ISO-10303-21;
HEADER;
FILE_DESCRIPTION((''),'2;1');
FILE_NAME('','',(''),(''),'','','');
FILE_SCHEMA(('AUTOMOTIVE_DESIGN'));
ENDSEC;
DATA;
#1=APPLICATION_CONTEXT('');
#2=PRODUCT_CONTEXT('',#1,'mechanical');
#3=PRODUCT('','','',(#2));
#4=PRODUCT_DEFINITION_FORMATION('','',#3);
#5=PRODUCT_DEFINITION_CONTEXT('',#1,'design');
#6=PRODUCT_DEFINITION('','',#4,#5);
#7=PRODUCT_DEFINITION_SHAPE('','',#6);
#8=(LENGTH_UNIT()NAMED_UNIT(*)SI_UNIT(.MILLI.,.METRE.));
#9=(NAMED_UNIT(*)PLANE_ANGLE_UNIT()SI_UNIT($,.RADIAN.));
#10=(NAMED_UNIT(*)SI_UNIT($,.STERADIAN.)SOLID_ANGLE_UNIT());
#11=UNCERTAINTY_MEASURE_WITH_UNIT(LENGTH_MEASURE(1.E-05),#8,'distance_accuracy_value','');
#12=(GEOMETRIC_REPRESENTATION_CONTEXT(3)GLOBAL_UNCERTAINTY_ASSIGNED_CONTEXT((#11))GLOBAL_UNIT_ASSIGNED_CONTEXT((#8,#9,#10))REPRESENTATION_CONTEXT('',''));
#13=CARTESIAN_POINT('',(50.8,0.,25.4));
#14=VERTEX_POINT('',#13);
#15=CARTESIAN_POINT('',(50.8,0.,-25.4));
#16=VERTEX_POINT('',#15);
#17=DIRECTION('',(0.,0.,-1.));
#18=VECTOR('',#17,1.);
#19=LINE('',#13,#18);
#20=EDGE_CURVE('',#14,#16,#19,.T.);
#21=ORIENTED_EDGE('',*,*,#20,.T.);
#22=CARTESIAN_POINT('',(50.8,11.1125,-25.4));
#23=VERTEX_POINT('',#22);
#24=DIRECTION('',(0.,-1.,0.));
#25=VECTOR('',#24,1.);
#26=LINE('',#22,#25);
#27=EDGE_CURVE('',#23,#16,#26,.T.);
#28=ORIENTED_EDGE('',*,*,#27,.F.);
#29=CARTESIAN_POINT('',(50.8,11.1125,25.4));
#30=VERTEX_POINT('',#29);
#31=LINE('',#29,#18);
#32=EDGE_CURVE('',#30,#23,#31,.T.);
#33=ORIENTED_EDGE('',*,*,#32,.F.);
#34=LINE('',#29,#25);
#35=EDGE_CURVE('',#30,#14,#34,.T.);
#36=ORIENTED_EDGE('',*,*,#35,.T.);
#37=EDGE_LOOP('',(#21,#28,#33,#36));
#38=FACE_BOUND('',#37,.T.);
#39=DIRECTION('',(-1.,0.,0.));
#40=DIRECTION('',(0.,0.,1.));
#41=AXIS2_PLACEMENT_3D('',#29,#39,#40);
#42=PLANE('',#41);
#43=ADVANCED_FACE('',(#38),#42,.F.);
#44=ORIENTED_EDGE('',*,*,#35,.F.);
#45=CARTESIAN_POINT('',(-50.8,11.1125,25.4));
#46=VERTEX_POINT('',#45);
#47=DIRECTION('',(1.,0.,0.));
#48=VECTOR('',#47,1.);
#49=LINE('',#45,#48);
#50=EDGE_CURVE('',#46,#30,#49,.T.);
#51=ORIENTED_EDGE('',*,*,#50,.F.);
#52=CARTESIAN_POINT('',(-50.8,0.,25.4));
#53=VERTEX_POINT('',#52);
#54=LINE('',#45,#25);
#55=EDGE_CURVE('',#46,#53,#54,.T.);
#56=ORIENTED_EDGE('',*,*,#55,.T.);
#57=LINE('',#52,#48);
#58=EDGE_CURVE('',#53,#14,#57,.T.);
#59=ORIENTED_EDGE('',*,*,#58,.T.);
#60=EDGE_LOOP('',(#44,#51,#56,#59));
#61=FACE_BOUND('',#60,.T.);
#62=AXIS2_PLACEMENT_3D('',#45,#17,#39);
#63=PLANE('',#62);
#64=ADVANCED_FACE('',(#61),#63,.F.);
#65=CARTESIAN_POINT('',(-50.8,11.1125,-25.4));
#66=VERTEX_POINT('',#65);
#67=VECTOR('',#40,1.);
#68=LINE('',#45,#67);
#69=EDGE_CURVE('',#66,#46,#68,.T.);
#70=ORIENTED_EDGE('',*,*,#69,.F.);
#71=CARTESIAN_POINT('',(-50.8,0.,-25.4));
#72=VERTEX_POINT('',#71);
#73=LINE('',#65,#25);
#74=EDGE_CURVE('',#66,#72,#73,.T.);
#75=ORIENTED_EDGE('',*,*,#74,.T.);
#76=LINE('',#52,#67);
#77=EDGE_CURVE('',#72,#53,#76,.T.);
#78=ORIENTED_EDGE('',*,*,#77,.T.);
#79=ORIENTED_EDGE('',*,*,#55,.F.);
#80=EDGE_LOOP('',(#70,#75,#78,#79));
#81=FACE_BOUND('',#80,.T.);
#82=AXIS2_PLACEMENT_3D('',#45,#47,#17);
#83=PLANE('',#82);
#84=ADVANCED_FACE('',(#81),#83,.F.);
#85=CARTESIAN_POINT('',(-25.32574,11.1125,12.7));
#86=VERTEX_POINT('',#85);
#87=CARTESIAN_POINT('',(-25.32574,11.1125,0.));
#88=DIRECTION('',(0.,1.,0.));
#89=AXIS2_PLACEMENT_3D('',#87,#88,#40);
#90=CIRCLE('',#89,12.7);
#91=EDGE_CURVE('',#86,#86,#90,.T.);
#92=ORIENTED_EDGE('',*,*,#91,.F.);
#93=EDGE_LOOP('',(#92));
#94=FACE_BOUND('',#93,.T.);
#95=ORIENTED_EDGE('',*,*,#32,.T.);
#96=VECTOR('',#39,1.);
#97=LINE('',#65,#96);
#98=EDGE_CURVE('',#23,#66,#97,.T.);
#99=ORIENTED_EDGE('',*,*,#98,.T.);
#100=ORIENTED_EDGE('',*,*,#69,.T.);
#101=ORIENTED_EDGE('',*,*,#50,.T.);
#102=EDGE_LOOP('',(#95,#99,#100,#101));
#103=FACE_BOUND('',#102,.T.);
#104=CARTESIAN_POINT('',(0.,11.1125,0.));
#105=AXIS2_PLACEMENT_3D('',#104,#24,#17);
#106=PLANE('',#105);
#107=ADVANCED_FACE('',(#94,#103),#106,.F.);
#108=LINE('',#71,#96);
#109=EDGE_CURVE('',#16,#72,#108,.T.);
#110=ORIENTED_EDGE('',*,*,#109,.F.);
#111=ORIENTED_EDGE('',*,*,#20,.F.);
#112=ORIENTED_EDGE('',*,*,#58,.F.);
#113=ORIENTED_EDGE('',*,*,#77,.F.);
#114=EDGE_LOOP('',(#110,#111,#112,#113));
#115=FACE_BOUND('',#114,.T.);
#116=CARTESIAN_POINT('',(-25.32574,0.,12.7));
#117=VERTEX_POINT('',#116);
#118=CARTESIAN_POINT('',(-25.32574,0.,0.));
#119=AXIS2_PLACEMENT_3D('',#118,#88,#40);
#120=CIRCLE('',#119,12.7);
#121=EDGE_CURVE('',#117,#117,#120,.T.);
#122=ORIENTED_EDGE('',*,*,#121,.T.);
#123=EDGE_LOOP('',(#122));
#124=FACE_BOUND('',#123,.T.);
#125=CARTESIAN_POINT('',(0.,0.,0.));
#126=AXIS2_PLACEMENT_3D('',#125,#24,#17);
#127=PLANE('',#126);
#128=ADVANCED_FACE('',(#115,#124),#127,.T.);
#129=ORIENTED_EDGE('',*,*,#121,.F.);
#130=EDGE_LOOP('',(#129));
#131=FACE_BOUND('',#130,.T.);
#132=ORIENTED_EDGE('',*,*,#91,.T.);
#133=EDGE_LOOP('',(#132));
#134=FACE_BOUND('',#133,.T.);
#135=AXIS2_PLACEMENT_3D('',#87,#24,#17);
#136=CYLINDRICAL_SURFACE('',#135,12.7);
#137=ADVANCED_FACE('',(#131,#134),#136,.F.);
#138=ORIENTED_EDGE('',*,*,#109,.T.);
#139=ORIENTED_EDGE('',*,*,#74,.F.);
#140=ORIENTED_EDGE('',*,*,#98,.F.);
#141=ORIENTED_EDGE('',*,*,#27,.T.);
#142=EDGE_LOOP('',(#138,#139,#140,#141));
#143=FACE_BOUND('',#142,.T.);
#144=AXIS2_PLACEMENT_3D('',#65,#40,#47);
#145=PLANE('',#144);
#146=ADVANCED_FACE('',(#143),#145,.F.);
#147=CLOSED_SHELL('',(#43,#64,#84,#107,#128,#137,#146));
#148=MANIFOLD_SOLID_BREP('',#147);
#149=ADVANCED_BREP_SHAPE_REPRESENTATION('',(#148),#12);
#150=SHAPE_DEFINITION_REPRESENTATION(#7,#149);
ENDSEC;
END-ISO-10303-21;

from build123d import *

# Parameters (mm, degrees)
SKETCH1_W           = 101.6
SKETCH1_H           = 50.8
SKETCH1_R           = 12.7
BOSS_EXTRUDE1_DEPTH = 11.1125


with BuildPart() as part:
    # Sketch1 → Boss-Extrude1 (new body)
    with BuildSketch(Plane(origin=(0, 0, 0), x_dir=(1, 0, 0), z_dir=(0, 1, 0))):
        Rectangle(SKETCH1_W, SKETCH1_H)
        with Locations((-25.325740296, 0)):
            Circle(SKETCH1_R, mode=Mode.SUBTRACT)
    extrude(amount=BOSS_EXTRUDE1_DEPTH)


solid = part.part
